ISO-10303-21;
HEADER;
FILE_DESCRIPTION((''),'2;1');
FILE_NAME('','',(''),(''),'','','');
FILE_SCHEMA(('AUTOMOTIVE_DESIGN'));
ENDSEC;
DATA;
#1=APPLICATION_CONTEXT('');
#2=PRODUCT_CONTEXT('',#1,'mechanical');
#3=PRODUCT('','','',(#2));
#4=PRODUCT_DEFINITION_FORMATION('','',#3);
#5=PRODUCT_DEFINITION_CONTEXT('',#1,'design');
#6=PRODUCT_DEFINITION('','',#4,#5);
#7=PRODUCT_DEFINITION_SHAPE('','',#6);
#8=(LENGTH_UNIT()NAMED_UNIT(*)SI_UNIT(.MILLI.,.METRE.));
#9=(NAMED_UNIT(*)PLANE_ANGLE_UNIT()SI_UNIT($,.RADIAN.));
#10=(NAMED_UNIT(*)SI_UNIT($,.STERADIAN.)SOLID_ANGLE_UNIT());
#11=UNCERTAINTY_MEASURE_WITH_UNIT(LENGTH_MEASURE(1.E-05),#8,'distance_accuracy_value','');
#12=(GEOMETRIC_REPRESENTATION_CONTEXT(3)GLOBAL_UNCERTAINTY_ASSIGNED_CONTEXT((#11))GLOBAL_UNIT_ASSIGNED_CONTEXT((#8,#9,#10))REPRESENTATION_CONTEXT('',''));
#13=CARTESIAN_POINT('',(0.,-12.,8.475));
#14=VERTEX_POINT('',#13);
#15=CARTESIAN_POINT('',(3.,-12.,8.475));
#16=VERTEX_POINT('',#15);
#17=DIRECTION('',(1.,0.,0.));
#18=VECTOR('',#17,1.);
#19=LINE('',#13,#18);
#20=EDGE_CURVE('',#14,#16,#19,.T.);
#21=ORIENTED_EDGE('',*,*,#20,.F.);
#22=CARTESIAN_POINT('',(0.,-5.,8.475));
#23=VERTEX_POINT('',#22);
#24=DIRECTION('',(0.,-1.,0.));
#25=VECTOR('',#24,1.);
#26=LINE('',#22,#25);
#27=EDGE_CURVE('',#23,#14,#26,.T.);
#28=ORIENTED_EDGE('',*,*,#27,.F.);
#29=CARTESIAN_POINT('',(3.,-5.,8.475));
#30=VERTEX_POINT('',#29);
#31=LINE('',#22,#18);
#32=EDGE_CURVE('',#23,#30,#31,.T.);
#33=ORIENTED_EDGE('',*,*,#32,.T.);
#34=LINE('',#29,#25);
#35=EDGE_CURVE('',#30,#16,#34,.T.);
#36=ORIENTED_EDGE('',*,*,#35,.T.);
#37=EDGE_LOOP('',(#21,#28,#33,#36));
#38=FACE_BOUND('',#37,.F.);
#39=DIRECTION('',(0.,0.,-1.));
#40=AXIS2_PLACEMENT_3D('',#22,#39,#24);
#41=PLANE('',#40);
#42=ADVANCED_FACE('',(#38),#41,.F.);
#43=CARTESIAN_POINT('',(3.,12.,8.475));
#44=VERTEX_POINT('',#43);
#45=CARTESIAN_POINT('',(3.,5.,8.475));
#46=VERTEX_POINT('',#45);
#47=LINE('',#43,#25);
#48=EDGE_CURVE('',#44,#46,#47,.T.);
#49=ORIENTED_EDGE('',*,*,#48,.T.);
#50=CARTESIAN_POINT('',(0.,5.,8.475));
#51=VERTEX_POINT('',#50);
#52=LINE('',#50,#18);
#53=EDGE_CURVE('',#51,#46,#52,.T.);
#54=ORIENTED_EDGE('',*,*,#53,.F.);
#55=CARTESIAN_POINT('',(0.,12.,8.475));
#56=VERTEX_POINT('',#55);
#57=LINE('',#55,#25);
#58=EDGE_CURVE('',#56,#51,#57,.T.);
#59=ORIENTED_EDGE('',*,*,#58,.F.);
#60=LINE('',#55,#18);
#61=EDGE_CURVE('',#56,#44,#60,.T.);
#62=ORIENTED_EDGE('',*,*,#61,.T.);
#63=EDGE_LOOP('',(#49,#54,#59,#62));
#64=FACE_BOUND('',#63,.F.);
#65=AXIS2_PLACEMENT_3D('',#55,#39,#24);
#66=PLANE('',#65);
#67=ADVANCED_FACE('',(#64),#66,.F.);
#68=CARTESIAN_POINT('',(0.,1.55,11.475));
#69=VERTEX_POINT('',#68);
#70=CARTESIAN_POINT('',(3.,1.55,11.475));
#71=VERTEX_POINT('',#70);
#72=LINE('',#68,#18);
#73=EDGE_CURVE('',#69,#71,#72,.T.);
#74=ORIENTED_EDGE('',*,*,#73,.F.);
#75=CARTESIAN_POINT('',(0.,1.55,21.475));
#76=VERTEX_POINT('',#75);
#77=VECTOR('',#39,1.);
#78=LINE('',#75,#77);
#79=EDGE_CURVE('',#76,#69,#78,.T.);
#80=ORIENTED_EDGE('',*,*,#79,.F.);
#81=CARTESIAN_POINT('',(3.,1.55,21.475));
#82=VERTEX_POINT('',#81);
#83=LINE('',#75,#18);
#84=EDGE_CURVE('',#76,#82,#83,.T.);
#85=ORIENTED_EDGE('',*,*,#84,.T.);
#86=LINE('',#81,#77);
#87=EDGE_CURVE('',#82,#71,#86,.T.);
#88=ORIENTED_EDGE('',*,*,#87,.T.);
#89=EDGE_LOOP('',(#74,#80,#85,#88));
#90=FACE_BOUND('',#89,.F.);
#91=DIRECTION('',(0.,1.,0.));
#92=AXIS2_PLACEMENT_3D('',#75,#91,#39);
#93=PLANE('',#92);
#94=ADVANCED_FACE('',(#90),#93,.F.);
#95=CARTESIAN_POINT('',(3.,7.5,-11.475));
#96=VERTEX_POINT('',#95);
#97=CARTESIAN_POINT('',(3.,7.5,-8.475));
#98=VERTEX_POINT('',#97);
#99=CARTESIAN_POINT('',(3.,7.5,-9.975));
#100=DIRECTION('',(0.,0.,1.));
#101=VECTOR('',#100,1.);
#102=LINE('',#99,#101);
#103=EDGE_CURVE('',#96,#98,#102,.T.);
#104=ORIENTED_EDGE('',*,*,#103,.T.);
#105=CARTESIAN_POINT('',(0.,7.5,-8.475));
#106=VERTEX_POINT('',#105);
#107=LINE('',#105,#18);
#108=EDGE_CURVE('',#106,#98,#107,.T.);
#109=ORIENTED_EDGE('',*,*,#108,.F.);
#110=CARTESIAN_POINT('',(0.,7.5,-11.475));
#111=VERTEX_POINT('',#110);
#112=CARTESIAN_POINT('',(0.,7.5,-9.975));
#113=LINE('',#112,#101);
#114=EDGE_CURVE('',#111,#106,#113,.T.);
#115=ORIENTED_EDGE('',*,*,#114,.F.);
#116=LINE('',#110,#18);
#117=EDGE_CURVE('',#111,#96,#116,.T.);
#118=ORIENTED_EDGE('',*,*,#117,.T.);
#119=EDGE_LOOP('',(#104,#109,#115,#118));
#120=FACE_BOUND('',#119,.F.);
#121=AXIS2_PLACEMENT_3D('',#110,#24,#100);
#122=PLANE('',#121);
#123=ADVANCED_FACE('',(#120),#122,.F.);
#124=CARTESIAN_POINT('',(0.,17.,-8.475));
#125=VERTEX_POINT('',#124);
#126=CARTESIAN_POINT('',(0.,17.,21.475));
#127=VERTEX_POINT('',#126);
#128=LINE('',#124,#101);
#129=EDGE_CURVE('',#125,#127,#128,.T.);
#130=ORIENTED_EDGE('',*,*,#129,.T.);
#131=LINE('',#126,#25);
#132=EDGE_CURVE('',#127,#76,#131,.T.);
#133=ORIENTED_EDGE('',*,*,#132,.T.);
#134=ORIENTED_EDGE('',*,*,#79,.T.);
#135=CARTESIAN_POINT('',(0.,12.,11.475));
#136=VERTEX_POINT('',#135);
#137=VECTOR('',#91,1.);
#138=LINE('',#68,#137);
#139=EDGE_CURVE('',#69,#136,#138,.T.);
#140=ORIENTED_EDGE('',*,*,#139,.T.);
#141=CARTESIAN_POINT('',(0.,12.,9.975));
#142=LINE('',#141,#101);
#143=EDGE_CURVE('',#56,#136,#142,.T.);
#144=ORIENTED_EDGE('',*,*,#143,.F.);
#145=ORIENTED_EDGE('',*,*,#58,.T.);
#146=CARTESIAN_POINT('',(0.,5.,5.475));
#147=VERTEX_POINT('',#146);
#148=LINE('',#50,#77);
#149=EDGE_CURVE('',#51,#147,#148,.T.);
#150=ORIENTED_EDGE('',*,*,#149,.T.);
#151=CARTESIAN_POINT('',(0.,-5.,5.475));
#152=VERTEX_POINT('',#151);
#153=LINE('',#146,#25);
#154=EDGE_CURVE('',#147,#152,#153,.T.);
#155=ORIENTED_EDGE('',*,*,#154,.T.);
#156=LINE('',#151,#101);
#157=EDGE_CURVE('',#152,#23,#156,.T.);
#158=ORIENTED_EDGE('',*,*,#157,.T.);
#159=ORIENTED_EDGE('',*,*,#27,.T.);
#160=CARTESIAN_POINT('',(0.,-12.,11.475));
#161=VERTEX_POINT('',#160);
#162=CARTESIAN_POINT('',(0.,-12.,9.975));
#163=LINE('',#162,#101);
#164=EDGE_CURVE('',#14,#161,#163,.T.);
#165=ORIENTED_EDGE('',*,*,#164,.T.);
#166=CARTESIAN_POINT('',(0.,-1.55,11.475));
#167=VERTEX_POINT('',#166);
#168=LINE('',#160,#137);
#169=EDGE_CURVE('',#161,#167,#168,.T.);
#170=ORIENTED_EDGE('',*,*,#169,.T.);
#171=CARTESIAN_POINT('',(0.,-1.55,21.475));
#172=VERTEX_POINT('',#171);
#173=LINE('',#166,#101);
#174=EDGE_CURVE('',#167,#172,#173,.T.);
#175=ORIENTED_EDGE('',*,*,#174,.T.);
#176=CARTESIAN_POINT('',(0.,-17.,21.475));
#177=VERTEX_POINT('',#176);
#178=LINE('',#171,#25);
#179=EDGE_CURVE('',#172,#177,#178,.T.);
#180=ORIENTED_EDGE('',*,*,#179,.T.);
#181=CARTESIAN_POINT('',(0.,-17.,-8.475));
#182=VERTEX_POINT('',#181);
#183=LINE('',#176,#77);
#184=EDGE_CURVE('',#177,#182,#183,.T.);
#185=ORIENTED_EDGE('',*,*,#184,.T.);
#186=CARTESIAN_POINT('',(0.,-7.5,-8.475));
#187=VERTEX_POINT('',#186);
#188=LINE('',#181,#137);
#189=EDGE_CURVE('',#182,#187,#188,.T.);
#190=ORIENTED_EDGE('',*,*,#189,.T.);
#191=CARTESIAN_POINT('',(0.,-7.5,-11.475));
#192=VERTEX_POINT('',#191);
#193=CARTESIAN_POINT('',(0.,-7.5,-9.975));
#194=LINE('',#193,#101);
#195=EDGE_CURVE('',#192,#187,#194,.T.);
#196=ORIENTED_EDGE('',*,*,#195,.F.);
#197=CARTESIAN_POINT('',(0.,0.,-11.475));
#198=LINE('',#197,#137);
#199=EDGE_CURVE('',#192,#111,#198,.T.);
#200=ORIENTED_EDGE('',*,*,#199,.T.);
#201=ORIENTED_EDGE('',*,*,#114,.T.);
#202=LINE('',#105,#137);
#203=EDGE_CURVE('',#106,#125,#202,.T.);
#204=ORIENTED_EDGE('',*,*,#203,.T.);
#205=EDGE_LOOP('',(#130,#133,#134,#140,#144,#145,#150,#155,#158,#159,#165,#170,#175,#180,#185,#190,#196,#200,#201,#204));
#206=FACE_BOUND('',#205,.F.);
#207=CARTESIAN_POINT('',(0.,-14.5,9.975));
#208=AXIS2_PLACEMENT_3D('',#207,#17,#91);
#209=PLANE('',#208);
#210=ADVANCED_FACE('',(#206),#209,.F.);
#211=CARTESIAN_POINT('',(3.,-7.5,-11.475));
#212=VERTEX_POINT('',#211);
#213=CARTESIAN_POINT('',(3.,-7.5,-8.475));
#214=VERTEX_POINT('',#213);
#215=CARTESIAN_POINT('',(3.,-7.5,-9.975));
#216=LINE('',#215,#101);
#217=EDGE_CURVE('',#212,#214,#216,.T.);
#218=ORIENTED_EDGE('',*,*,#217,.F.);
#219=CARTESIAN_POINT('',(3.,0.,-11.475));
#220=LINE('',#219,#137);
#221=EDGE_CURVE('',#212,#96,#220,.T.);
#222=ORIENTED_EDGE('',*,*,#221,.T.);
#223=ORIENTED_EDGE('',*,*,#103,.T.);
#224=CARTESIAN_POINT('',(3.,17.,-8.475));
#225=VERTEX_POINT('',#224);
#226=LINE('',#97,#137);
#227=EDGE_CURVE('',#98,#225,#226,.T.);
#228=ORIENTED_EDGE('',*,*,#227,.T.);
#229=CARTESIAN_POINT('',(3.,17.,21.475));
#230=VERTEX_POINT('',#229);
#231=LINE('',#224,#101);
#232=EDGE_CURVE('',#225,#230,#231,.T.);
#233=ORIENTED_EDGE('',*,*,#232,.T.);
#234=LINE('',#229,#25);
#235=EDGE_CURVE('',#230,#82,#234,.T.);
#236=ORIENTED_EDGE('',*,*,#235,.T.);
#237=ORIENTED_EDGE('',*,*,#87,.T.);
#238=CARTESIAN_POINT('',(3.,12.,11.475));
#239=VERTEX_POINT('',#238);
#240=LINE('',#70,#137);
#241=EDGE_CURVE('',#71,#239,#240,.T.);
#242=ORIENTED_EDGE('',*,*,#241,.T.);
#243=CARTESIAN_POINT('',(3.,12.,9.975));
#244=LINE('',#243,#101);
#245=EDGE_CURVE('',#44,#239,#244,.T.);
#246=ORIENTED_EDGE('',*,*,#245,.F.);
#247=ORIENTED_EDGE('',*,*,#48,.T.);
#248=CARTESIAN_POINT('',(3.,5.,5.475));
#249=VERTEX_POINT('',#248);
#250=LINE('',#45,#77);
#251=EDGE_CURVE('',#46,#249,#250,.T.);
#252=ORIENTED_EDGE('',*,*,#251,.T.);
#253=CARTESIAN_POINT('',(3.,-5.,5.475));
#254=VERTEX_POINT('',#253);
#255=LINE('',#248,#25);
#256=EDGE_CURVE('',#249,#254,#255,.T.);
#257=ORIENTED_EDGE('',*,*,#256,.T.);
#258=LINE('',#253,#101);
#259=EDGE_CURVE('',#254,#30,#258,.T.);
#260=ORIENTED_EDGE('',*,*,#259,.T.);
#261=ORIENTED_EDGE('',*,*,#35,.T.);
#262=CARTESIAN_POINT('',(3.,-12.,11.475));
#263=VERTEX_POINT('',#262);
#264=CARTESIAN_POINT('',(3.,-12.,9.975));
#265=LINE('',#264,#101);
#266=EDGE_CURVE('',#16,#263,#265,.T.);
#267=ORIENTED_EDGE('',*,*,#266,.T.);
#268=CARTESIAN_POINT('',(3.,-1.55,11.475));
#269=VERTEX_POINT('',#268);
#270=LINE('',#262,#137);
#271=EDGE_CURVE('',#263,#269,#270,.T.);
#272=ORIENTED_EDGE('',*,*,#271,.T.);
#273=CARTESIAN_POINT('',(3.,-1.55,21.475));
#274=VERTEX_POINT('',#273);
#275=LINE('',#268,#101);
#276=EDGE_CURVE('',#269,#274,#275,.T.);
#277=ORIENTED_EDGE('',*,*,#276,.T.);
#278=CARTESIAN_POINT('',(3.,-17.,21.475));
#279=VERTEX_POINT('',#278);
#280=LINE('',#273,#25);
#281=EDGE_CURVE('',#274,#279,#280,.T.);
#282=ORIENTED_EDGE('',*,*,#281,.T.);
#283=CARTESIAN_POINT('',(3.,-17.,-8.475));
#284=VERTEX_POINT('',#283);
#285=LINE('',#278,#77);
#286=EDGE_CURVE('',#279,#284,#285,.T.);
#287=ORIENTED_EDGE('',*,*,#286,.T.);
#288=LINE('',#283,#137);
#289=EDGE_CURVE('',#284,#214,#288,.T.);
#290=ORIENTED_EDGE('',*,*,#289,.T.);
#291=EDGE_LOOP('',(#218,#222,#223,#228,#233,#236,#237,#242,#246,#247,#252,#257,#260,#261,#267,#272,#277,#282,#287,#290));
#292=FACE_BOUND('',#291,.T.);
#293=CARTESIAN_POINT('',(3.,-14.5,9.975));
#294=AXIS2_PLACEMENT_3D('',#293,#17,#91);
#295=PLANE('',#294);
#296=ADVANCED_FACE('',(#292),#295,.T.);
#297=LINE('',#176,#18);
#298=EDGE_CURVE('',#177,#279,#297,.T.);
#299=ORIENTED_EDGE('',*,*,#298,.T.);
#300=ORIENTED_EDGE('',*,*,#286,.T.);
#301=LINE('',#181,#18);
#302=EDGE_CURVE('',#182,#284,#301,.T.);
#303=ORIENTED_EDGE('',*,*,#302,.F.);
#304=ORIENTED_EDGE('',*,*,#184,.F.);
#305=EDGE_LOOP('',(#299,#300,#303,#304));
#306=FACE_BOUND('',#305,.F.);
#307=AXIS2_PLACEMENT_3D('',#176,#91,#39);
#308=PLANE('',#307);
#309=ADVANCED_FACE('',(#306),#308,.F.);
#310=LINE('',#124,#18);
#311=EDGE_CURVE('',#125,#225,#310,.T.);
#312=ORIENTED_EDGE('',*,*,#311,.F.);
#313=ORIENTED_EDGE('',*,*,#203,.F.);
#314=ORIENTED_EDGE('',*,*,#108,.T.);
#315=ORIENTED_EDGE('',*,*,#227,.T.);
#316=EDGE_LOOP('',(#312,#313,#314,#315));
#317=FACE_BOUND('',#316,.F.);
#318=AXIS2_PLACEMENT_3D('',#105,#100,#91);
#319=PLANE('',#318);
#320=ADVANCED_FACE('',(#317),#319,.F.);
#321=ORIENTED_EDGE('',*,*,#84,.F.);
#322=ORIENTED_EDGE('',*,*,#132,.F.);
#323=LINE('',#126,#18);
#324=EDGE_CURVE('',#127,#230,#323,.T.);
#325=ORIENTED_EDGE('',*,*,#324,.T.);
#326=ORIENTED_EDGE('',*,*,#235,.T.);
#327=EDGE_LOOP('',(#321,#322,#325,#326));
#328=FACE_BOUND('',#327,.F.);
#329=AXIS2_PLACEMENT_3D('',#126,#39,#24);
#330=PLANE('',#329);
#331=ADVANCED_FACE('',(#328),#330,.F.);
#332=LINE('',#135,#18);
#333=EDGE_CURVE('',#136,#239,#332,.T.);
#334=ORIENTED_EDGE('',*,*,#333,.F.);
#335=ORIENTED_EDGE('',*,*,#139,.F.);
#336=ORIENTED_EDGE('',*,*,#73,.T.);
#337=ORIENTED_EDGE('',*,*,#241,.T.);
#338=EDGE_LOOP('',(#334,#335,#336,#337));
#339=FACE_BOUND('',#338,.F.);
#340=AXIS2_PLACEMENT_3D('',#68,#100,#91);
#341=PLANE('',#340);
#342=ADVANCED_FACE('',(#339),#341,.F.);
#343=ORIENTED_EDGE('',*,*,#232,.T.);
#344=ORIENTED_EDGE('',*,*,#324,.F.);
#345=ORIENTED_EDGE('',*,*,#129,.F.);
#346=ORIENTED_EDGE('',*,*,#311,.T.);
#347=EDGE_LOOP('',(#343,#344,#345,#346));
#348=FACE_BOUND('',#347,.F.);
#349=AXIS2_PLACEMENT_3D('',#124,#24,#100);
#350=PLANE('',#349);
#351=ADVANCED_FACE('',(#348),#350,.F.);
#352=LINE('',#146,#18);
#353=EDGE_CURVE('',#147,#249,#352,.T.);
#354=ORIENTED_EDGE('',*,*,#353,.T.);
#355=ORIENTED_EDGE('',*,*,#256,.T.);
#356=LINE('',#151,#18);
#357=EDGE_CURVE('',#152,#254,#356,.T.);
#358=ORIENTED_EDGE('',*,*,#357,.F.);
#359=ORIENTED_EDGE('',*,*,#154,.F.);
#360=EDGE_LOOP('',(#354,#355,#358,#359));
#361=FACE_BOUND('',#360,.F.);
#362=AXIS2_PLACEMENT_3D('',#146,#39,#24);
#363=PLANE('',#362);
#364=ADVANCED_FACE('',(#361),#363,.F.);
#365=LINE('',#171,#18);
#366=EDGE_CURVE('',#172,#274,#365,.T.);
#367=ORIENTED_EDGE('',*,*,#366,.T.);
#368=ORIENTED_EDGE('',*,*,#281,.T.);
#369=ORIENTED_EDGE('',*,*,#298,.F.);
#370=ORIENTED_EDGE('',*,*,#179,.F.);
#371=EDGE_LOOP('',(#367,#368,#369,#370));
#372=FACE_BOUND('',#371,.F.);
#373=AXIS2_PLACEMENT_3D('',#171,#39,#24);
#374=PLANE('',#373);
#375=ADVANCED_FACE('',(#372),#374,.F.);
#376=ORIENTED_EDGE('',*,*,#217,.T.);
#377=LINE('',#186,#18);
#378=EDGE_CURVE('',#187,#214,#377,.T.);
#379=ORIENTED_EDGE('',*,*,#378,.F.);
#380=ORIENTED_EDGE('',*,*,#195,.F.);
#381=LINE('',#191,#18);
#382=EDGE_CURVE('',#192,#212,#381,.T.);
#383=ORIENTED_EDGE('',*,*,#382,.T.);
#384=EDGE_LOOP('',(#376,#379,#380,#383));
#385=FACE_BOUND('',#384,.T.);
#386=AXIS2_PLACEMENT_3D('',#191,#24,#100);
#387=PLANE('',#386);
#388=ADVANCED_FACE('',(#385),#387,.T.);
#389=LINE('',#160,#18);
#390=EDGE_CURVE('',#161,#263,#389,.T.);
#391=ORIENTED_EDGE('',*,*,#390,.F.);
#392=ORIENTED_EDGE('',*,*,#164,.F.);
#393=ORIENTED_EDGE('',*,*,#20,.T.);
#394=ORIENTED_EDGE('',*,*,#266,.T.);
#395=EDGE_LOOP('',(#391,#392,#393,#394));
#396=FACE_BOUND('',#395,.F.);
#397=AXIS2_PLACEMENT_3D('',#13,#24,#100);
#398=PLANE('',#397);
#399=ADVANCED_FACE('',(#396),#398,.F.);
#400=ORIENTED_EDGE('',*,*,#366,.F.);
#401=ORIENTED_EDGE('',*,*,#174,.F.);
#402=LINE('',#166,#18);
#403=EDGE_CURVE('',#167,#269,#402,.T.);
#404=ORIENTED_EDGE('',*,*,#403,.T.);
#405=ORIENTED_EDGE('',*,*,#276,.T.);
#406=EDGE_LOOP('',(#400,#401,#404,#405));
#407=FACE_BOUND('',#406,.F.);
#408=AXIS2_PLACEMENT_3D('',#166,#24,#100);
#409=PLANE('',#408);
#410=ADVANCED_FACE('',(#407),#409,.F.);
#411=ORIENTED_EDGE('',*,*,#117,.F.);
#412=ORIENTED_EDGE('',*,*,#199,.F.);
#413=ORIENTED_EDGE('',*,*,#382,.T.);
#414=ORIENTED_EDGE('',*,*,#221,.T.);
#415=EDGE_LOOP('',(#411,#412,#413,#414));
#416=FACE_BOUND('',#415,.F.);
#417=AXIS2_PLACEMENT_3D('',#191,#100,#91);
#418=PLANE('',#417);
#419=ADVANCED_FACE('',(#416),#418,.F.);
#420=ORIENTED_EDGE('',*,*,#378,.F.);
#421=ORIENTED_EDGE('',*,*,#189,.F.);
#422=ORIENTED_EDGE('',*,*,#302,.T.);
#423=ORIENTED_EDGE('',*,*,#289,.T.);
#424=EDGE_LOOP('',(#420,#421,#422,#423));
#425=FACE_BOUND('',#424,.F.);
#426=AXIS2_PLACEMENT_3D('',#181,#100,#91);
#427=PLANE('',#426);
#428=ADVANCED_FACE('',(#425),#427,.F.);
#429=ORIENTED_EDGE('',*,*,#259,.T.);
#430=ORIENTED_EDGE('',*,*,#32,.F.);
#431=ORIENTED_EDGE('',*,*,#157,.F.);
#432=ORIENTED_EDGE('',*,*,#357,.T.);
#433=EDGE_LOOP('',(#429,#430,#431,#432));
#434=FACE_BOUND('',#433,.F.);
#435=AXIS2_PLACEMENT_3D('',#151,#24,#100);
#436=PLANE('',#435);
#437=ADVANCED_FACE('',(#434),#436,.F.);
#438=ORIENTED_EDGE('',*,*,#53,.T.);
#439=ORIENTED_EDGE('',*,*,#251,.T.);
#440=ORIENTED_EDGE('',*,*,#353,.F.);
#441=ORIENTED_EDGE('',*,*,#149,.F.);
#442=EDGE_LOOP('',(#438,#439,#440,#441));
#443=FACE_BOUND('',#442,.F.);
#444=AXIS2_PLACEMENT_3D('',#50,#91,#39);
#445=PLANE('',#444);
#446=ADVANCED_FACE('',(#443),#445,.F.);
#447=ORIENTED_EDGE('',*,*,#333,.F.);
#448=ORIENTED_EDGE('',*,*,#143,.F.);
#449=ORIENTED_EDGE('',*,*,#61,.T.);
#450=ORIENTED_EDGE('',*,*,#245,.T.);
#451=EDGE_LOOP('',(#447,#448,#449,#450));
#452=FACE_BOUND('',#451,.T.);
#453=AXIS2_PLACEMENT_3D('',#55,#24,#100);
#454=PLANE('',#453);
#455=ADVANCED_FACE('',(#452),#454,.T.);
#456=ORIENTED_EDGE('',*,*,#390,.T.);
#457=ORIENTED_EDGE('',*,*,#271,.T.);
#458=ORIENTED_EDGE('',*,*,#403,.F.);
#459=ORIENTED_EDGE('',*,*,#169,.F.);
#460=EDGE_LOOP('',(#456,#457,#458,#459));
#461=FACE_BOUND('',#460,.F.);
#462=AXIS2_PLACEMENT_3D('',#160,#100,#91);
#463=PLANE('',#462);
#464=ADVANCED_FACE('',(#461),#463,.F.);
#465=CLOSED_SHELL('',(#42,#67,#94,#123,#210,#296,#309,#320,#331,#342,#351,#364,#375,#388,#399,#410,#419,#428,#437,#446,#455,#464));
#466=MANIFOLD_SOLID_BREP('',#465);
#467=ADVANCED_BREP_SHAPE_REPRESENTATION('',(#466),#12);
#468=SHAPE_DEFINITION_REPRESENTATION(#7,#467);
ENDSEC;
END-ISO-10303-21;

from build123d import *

# Parameters (mm, degrees)
F0_W     = 5
F0_H     = 3
F0_W_2   = 15
F1_DEPTH = 3


with BuildPart() as f1:
    # F0 (on Right) → F1 (new body)
    with BuildSketch(Plane.YZ):
        with Locations((-14.5, 9.975)):
            Rectangle(F0_W, F0_H)
        with Locations((14.5, 9.975)):
            Rectangle(F0_W, F0_H)
        with Locations((0, -9.975)):
            Rectangle(F0_W_2, F0_H)
        Polygon((7.5, -8.475), (17, -8.475), (17, 8.475), (12, 8.475), (5, 8.475), (5, 5.475), (-5, 5.475), (-5, 8.475), (-12, 8.475), (-17, 8.475), (-17, -8.475), (-7.5, -8.475), align=None)
        Polygon((-17, 21.475), (-17, 11.475), (-12, 11.475), (-1.55, 11.475), (-1.55, 21.475), align=None)
        Polygon((12, 11.475), (17, 11.475), (17, 21.475), (1.55, 21.475), (1.55, 11.475), align=None)
    extrude(amount=F1_DEPTH)


solid = f1.part
